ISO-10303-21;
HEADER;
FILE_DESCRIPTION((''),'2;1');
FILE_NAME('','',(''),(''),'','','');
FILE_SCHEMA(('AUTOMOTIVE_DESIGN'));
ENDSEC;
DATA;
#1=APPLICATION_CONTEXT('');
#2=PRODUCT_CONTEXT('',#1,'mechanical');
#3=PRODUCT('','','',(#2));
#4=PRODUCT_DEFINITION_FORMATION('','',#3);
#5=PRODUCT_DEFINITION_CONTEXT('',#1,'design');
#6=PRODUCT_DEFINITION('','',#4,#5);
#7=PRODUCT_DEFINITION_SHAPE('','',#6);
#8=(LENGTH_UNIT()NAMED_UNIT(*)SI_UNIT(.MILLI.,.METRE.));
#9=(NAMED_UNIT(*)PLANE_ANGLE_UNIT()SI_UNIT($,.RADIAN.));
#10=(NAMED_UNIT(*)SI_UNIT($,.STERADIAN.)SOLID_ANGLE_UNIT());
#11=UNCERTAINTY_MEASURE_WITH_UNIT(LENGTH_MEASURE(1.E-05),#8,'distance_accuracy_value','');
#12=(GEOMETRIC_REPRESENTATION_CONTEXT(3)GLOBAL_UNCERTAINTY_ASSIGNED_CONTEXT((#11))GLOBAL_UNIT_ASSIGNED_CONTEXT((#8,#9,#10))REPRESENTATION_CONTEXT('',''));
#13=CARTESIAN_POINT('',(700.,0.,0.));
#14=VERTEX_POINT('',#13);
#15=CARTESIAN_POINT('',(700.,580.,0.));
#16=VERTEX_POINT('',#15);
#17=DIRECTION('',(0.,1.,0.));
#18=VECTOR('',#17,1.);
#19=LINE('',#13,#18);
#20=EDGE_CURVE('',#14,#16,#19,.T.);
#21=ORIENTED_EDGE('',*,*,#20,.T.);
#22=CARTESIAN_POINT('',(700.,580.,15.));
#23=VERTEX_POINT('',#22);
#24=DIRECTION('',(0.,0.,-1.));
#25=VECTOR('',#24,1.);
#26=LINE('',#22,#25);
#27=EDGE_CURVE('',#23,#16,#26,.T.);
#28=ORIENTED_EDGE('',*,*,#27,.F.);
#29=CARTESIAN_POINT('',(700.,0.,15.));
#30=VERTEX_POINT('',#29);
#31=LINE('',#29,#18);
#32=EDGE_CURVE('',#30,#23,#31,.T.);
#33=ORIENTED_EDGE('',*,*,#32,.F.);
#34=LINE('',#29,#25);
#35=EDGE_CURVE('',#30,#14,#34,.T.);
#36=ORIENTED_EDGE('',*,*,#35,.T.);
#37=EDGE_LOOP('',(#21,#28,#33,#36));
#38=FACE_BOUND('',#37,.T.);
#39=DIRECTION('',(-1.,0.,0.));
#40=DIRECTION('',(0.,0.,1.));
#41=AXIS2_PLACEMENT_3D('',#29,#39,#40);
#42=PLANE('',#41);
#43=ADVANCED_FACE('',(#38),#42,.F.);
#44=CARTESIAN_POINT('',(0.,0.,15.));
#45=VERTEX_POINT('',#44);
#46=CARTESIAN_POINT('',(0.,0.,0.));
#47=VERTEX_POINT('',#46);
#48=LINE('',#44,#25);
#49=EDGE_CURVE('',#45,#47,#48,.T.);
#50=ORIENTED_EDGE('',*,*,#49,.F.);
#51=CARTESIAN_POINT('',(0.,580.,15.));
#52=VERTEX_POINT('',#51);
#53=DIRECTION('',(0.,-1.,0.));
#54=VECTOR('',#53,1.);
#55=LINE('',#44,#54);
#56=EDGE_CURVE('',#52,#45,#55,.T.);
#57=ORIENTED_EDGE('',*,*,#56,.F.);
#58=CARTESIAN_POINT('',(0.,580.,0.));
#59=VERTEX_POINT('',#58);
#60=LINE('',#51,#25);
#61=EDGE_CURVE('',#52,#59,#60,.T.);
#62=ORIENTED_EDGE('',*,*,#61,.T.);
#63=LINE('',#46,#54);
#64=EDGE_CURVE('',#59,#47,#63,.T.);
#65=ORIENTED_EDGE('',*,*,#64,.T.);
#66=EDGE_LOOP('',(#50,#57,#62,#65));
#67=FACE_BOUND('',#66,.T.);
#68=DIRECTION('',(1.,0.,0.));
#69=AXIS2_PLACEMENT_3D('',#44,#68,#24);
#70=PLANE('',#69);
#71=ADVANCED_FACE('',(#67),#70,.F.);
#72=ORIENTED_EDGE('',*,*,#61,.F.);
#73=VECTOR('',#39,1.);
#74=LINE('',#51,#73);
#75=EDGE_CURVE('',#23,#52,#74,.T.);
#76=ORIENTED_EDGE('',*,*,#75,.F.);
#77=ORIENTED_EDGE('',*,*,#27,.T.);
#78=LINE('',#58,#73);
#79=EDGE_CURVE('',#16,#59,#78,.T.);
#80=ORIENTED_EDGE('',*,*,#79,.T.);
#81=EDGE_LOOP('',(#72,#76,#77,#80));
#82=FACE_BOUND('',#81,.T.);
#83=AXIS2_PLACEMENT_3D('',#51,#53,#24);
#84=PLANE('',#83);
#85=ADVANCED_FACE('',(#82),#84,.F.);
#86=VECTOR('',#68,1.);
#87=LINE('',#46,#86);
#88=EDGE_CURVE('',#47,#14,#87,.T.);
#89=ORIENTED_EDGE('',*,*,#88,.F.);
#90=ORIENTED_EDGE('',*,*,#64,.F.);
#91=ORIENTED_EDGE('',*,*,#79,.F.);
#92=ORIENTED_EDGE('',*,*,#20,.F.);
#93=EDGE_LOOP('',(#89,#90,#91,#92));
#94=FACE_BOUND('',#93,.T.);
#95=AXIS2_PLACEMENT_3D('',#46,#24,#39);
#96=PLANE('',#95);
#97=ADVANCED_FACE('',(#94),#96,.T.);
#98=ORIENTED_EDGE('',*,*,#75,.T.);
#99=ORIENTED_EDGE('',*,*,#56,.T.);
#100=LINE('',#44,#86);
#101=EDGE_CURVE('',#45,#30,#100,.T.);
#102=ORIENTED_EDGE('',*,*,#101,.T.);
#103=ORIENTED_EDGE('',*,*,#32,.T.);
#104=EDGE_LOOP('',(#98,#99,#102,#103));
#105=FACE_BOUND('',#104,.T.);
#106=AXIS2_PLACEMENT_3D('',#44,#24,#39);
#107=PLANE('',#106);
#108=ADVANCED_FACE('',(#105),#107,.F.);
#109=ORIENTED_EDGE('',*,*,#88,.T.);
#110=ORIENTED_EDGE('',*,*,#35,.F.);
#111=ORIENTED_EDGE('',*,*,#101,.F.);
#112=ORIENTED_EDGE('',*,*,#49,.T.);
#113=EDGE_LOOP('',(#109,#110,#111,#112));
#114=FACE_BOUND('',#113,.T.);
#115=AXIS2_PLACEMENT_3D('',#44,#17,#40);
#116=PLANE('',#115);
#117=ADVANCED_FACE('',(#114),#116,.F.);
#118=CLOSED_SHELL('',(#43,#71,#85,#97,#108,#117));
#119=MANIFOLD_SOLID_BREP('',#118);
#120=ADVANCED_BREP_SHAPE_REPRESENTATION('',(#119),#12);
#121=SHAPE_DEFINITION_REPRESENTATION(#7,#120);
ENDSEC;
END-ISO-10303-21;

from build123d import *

# Parameters (mm, degrees)
IZIM1_W                     = 700
IZIM1_H                     = 580
Y_KSEKLIK_EKSTR_ZYON1_DEPTH = 15


with BuildPart() as part:
    # Çizim1 → Yükseklik-Ekstrüzyon1 (new body)
    with BuildSketch(Plane.XY):
        with Locations((350, 290)):
            Rectangle(IZIM1_W, IZIM1_H)
    extrude(amount=Y_KSEKLIK_EKSTR_ZYON1_DEPTH)


solid = part.part
